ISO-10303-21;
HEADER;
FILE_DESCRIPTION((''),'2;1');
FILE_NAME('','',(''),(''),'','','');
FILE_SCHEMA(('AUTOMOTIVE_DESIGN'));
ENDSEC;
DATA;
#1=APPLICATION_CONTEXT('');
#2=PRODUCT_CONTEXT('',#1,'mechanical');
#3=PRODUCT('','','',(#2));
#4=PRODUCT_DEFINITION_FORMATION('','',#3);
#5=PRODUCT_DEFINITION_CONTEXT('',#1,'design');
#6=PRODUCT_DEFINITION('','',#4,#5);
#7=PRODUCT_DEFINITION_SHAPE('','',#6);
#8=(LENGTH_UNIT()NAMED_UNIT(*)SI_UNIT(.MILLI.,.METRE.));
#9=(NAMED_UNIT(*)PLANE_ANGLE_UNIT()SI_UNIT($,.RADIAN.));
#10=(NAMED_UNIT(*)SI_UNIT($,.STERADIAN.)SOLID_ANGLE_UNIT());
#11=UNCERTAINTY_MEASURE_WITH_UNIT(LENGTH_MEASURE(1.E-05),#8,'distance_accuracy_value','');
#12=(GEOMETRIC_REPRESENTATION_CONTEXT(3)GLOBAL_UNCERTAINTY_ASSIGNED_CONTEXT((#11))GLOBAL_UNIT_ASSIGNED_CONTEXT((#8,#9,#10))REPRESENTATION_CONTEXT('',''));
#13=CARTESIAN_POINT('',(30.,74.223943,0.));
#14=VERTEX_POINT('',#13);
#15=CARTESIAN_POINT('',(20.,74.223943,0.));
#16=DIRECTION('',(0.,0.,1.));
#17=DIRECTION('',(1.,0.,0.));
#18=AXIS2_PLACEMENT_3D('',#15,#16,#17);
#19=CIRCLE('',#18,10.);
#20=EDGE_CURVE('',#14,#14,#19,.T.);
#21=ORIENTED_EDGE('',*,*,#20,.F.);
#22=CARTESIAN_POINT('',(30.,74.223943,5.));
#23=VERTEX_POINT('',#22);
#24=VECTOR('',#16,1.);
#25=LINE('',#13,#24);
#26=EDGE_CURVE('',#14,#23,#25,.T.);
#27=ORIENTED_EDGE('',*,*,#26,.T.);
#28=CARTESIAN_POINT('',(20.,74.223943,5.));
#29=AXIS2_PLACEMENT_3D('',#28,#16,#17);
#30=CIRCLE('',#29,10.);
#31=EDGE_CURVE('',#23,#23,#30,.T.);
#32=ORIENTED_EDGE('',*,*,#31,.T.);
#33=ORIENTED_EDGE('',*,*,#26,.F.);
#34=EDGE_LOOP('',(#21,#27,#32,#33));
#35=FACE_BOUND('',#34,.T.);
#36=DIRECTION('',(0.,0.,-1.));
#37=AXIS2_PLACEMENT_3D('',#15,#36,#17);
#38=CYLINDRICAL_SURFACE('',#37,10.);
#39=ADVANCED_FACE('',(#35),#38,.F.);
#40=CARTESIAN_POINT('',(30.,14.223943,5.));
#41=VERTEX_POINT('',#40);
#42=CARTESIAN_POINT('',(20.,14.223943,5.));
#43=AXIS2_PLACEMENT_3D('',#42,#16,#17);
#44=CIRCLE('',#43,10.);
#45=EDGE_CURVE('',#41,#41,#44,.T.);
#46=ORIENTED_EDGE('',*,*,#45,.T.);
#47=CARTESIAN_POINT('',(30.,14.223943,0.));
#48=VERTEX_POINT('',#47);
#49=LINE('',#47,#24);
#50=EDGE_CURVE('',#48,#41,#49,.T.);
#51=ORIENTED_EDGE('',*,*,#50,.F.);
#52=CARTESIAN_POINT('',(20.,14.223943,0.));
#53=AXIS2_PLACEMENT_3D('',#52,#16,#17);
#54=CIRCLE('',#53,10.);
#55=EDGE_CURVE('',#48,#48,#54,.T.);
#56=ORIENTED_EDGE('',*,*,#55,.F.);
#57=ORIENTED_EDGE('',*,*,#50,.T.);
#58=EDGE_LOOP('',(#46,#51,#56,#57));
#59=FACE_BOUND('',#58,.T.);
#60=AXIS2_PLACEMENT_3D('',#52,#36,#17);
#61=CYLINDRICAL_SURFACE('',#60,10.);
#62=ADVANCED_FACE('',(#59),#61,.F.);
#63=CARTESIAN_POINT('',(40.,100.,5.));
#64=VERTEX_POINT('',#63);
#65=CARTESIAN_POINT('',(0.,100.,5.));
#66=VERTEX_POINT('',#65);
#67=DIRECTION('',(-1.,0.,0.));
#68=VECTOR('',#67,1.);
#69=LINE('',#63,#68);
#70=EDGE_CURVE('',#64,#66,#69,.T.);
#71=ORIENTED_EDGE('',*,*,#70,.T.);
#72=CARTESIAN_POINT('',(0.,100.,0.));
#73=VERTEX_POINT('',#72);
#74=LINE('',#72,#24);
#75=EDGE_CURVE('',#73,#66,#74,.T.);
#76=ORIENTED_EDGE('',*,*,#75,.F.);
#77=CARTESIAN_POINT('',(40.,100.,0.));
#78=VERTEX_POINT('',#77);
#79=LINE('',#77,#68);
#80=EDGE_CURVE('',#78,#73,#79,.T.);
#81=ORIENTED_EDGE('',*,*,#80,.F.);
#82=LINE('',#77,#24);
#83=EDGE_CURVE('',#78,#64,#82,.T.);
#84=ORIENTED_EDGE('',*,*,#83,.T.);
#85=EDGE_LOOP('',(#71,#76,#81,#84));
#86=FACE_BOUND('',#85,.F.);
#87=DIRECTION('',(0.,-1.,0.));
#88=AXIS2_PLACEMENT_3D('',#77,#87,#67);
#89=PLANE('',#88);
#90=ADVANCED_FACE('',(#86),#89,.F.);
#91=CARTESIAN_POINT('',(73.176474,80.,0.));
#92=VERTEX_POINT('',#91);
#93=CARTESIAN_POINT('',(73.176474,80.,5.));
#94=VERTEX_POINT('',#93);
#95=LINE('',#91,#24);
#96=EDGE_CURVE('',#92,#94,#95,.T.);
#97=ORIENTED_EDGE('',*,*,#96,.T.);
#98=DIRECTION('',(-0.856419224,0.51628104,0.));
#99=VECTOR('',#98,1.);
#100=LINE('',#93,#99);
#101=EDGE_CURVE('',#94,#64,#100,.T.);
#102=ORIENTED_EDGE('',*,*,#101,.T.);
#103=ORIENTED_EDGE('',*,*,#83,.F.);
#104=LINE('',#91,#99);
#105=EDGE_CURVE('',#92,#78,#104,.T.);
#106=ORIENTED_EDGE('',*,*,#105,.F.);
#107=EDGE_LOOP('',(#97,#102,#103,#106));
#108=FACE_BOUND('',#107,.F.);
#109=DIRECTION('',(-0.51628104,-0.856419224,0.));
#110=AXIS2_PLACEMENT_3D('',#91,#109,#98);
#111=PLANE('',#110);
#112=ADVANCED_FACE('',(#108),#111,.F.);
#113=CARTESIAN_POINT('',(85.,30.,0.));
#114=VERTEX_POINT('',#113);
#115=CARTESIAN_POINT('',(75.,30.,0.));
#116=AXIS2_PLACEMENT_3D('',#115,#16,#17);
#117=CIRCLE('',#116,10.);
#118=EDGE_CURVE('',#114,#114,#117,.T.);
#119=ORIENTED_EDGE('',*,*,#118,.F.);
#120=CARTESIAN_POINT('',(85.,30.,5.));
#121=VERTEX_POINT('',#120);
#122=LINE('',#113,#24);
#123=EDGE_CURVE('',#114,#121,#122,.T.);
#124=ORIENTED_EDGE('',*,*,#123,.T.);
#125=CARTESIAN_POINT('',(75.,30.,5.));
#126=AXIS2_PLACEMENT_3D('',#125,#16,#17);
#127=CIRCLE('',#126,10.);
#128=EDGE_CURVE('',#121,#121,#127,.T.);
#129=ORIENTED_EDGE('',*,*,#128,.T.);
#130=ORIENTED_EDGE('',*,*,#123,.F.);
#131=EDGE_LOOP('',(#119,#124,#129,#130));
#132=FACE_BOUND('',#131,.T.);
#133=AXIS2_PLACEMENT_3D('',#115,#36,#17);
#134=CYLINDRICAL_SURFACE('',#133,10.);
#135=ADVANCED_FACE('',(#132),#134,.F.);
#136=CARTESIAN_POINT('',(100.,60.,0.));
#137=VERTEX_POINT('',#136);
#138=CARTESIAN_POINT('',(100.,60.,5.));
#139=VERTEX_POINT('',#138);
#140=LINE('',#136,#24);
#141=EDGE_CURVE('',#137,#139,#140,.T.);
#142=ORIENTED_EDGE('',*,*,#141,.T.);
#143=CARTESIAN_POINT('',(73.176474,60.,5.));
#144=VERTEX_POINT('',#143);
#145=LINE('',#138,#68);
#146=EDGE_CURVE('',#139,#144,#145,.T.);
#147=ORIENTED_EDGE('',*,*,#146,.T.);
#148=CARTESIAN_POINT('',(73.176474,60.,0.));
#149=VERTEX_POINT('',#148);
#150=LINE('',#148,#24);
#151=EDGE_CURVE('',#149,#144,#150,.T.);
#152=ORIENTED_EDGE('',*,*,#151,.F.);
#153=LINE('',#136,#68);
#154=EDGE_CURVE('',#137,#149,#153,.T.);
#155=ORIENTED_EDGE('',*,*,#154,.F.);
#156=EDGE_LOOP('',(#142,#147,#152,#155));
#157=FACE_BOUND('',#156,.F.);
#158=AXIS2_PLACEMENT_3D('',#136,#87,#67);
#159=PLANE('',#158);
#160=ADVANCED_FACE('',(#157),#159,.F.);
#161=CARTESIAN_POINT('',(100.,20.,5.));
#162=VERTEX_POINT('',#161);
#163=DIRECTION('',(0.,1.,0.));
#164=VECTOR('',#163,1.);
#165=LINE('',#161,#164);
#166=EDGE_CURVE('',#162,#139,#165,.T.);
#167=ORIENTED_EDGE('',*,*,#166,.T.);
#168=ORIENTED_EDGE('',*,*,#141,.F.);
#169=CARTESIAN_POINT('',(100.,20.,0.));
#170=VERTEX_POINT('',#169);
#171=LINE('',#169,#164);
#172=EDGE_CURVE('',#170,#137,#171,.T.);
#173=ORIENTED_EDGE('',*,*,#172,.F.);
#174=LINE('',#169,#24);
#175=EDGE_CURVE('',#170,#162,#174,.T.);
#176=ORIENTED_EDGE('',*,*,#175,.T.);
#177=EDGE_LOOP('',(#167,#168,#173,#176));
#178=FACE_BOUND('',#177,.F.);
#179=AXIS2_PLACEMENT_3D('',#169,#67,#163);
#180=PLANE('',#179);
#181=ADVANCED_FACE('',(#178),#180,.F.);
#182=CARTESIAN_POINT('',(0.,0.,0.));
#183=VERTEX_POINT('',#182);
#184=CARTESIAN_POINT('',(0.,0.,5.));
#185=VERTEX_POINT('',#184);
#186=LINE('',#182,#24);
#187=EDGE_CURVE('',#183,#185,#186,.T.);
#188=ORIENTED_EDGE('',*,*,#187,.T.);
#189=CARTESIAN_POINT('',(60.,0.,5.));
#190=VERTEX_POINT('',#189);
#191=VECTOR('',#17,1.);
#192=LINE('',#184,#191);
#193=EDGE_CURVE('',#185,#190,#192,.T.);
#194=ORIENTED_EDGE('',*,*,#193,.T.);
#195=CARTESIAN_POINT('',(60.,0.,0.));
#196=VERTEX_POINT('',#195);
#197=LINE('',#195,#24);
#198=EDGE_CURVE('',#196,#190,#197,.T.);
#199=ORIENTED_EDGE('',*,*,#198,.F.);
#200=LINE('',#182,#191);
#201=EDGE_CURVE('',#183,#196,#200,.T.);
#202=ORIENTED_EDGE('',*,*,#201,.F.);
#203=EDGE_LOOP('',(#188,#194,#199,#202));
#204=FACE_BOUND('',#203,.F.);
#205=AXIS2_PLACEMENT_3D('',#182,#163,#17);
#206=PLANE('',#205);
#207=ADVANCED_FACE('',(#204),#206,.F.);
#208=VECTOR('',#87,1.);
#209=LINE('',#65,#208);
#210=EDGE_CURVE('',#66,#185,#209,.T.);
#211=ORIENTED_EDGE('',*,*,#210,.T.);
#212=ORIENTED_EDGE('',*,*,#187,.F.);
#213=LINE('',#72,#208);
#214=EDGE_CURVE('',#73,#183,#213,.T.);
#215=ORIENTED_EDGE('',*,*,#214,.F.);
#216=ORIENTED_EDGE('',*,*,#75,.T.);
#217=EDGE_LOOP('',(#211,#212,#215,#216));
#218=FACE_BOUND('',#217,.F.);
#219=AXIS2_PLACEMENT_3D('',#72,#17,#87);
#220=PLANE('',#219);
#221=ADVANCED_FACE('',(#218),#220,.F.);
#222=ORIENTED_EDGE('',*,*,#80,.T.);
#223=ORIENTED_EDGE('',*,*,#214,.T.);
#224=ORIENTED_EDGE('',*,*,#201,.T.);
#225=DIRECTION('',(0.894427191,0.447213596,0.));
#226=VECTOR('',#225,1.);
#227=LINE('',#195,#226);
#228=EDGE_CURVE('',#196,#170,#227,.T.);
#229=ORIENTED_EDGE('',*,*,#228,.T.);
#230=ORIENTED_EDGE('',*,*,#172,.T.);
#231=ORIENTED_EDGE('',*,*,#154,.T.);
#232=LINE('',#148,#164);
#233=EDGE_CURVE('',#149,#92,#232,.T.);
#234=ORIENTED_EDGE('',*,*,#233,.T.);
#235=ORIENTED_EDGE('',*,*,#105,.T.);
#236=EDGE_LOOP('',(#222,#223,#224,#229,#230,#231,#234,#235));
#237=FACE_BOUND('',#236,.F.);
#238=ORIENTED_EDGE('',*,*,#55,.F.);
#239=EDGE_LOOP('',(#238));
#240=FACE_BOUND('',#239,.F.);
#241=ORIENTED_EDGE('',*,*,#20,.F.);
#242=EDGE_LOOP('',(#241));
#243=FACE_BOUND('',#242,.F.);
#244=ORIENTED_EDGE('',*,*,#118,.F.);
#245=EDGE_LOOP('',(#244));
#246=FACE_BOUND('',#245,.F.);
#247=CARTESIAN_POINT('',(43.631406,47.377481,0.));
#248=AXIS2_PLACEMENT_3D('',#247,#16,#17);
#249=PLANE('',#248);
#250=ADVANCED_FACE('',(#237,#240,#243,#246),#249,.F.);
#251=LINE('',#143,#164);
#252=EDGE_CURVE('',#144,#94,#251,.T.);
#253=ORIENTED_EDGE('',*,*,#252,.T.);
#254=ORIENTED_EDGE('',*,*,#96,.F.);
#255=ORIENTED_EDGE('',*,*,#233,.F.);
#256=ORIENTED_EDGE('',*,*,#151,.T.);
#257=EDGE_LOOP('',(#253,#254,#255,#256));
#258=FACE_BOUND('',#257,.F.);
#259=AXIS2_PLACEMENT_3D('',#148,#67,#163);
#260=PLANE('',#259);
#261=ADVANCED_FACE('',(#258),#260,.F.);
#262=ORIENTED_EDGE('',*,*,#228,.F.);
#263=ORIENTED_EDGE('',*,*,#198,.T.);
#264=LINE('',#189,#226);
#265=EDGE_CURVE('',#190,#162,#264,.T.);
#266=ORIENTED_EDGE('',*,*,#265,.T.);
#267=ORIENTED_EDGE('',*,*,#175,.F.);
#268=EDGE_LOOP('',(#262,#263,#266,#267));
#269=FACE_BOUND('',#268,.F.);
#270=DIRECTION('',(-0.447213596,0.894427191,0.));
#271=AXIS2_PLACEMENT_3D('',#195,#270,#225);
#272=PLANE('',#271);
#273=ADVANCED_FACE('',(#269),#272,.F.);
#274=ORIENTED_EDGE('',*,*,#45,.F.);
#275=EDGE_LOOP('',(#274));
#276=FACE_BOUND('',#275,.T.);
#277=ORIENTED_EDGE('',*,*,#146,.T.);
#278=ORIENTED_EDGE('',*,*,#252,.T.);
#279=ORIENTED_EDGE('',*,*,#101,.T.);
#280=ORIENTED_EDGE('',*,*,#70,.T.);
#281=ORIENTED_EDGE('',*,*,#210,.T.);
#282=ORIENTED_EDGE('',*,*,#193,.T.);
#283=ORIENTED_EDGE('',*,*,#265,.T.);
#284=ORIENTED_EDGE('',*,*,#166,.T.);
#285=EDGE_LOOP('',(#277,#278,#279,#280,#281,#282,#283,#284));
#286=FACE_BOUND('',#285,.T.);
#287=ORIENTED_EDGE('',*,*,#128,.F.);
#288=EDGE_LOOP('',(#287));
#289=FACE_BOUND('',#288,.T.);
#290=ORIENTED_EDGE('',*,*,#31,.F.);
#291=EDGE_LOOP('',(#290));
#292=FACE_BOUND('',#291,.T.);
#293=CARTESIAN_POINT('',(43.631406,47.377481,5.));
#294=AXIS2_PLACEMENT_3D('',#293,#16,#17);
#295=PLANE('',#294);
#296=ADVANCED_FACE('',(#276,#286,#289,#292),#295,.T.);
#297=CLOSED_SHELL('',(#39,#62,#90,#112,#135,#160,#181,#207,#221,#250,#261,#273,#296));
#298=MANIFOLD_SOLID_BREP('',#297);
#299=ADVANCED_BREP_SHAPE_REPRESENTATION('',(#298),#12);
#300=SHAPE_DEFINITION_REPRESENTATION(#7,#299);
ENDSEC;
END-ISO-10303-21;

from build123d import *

# Parameters (mm, degrees)
F0_R     = 10
F1_DEPTH = 5


with BuildPart() as f1:
    # F0 (on Top) → F1 (new body)
    with BuildSketch(Plane.XY):
        Polygon((0, 100), (0, 0), (60, 0), (100, 20), (100, 60), (73.176474, 60), (73.176474, 80), (40, 100), align=None)
        with Locations((20, 14.223943)):
            Circle(F0_R, mode=Mode.SUBTRACT)
        with Locations((75, 30)):
            Circle(F0_R, mode=Mode.SUBTRACT)
        with Locations((20, 74.223943)):
            Circle(F0_R, mode=Mode.SUBTRACT)
    extrude(amount=F1_DEPTH)


solid = f1.part
